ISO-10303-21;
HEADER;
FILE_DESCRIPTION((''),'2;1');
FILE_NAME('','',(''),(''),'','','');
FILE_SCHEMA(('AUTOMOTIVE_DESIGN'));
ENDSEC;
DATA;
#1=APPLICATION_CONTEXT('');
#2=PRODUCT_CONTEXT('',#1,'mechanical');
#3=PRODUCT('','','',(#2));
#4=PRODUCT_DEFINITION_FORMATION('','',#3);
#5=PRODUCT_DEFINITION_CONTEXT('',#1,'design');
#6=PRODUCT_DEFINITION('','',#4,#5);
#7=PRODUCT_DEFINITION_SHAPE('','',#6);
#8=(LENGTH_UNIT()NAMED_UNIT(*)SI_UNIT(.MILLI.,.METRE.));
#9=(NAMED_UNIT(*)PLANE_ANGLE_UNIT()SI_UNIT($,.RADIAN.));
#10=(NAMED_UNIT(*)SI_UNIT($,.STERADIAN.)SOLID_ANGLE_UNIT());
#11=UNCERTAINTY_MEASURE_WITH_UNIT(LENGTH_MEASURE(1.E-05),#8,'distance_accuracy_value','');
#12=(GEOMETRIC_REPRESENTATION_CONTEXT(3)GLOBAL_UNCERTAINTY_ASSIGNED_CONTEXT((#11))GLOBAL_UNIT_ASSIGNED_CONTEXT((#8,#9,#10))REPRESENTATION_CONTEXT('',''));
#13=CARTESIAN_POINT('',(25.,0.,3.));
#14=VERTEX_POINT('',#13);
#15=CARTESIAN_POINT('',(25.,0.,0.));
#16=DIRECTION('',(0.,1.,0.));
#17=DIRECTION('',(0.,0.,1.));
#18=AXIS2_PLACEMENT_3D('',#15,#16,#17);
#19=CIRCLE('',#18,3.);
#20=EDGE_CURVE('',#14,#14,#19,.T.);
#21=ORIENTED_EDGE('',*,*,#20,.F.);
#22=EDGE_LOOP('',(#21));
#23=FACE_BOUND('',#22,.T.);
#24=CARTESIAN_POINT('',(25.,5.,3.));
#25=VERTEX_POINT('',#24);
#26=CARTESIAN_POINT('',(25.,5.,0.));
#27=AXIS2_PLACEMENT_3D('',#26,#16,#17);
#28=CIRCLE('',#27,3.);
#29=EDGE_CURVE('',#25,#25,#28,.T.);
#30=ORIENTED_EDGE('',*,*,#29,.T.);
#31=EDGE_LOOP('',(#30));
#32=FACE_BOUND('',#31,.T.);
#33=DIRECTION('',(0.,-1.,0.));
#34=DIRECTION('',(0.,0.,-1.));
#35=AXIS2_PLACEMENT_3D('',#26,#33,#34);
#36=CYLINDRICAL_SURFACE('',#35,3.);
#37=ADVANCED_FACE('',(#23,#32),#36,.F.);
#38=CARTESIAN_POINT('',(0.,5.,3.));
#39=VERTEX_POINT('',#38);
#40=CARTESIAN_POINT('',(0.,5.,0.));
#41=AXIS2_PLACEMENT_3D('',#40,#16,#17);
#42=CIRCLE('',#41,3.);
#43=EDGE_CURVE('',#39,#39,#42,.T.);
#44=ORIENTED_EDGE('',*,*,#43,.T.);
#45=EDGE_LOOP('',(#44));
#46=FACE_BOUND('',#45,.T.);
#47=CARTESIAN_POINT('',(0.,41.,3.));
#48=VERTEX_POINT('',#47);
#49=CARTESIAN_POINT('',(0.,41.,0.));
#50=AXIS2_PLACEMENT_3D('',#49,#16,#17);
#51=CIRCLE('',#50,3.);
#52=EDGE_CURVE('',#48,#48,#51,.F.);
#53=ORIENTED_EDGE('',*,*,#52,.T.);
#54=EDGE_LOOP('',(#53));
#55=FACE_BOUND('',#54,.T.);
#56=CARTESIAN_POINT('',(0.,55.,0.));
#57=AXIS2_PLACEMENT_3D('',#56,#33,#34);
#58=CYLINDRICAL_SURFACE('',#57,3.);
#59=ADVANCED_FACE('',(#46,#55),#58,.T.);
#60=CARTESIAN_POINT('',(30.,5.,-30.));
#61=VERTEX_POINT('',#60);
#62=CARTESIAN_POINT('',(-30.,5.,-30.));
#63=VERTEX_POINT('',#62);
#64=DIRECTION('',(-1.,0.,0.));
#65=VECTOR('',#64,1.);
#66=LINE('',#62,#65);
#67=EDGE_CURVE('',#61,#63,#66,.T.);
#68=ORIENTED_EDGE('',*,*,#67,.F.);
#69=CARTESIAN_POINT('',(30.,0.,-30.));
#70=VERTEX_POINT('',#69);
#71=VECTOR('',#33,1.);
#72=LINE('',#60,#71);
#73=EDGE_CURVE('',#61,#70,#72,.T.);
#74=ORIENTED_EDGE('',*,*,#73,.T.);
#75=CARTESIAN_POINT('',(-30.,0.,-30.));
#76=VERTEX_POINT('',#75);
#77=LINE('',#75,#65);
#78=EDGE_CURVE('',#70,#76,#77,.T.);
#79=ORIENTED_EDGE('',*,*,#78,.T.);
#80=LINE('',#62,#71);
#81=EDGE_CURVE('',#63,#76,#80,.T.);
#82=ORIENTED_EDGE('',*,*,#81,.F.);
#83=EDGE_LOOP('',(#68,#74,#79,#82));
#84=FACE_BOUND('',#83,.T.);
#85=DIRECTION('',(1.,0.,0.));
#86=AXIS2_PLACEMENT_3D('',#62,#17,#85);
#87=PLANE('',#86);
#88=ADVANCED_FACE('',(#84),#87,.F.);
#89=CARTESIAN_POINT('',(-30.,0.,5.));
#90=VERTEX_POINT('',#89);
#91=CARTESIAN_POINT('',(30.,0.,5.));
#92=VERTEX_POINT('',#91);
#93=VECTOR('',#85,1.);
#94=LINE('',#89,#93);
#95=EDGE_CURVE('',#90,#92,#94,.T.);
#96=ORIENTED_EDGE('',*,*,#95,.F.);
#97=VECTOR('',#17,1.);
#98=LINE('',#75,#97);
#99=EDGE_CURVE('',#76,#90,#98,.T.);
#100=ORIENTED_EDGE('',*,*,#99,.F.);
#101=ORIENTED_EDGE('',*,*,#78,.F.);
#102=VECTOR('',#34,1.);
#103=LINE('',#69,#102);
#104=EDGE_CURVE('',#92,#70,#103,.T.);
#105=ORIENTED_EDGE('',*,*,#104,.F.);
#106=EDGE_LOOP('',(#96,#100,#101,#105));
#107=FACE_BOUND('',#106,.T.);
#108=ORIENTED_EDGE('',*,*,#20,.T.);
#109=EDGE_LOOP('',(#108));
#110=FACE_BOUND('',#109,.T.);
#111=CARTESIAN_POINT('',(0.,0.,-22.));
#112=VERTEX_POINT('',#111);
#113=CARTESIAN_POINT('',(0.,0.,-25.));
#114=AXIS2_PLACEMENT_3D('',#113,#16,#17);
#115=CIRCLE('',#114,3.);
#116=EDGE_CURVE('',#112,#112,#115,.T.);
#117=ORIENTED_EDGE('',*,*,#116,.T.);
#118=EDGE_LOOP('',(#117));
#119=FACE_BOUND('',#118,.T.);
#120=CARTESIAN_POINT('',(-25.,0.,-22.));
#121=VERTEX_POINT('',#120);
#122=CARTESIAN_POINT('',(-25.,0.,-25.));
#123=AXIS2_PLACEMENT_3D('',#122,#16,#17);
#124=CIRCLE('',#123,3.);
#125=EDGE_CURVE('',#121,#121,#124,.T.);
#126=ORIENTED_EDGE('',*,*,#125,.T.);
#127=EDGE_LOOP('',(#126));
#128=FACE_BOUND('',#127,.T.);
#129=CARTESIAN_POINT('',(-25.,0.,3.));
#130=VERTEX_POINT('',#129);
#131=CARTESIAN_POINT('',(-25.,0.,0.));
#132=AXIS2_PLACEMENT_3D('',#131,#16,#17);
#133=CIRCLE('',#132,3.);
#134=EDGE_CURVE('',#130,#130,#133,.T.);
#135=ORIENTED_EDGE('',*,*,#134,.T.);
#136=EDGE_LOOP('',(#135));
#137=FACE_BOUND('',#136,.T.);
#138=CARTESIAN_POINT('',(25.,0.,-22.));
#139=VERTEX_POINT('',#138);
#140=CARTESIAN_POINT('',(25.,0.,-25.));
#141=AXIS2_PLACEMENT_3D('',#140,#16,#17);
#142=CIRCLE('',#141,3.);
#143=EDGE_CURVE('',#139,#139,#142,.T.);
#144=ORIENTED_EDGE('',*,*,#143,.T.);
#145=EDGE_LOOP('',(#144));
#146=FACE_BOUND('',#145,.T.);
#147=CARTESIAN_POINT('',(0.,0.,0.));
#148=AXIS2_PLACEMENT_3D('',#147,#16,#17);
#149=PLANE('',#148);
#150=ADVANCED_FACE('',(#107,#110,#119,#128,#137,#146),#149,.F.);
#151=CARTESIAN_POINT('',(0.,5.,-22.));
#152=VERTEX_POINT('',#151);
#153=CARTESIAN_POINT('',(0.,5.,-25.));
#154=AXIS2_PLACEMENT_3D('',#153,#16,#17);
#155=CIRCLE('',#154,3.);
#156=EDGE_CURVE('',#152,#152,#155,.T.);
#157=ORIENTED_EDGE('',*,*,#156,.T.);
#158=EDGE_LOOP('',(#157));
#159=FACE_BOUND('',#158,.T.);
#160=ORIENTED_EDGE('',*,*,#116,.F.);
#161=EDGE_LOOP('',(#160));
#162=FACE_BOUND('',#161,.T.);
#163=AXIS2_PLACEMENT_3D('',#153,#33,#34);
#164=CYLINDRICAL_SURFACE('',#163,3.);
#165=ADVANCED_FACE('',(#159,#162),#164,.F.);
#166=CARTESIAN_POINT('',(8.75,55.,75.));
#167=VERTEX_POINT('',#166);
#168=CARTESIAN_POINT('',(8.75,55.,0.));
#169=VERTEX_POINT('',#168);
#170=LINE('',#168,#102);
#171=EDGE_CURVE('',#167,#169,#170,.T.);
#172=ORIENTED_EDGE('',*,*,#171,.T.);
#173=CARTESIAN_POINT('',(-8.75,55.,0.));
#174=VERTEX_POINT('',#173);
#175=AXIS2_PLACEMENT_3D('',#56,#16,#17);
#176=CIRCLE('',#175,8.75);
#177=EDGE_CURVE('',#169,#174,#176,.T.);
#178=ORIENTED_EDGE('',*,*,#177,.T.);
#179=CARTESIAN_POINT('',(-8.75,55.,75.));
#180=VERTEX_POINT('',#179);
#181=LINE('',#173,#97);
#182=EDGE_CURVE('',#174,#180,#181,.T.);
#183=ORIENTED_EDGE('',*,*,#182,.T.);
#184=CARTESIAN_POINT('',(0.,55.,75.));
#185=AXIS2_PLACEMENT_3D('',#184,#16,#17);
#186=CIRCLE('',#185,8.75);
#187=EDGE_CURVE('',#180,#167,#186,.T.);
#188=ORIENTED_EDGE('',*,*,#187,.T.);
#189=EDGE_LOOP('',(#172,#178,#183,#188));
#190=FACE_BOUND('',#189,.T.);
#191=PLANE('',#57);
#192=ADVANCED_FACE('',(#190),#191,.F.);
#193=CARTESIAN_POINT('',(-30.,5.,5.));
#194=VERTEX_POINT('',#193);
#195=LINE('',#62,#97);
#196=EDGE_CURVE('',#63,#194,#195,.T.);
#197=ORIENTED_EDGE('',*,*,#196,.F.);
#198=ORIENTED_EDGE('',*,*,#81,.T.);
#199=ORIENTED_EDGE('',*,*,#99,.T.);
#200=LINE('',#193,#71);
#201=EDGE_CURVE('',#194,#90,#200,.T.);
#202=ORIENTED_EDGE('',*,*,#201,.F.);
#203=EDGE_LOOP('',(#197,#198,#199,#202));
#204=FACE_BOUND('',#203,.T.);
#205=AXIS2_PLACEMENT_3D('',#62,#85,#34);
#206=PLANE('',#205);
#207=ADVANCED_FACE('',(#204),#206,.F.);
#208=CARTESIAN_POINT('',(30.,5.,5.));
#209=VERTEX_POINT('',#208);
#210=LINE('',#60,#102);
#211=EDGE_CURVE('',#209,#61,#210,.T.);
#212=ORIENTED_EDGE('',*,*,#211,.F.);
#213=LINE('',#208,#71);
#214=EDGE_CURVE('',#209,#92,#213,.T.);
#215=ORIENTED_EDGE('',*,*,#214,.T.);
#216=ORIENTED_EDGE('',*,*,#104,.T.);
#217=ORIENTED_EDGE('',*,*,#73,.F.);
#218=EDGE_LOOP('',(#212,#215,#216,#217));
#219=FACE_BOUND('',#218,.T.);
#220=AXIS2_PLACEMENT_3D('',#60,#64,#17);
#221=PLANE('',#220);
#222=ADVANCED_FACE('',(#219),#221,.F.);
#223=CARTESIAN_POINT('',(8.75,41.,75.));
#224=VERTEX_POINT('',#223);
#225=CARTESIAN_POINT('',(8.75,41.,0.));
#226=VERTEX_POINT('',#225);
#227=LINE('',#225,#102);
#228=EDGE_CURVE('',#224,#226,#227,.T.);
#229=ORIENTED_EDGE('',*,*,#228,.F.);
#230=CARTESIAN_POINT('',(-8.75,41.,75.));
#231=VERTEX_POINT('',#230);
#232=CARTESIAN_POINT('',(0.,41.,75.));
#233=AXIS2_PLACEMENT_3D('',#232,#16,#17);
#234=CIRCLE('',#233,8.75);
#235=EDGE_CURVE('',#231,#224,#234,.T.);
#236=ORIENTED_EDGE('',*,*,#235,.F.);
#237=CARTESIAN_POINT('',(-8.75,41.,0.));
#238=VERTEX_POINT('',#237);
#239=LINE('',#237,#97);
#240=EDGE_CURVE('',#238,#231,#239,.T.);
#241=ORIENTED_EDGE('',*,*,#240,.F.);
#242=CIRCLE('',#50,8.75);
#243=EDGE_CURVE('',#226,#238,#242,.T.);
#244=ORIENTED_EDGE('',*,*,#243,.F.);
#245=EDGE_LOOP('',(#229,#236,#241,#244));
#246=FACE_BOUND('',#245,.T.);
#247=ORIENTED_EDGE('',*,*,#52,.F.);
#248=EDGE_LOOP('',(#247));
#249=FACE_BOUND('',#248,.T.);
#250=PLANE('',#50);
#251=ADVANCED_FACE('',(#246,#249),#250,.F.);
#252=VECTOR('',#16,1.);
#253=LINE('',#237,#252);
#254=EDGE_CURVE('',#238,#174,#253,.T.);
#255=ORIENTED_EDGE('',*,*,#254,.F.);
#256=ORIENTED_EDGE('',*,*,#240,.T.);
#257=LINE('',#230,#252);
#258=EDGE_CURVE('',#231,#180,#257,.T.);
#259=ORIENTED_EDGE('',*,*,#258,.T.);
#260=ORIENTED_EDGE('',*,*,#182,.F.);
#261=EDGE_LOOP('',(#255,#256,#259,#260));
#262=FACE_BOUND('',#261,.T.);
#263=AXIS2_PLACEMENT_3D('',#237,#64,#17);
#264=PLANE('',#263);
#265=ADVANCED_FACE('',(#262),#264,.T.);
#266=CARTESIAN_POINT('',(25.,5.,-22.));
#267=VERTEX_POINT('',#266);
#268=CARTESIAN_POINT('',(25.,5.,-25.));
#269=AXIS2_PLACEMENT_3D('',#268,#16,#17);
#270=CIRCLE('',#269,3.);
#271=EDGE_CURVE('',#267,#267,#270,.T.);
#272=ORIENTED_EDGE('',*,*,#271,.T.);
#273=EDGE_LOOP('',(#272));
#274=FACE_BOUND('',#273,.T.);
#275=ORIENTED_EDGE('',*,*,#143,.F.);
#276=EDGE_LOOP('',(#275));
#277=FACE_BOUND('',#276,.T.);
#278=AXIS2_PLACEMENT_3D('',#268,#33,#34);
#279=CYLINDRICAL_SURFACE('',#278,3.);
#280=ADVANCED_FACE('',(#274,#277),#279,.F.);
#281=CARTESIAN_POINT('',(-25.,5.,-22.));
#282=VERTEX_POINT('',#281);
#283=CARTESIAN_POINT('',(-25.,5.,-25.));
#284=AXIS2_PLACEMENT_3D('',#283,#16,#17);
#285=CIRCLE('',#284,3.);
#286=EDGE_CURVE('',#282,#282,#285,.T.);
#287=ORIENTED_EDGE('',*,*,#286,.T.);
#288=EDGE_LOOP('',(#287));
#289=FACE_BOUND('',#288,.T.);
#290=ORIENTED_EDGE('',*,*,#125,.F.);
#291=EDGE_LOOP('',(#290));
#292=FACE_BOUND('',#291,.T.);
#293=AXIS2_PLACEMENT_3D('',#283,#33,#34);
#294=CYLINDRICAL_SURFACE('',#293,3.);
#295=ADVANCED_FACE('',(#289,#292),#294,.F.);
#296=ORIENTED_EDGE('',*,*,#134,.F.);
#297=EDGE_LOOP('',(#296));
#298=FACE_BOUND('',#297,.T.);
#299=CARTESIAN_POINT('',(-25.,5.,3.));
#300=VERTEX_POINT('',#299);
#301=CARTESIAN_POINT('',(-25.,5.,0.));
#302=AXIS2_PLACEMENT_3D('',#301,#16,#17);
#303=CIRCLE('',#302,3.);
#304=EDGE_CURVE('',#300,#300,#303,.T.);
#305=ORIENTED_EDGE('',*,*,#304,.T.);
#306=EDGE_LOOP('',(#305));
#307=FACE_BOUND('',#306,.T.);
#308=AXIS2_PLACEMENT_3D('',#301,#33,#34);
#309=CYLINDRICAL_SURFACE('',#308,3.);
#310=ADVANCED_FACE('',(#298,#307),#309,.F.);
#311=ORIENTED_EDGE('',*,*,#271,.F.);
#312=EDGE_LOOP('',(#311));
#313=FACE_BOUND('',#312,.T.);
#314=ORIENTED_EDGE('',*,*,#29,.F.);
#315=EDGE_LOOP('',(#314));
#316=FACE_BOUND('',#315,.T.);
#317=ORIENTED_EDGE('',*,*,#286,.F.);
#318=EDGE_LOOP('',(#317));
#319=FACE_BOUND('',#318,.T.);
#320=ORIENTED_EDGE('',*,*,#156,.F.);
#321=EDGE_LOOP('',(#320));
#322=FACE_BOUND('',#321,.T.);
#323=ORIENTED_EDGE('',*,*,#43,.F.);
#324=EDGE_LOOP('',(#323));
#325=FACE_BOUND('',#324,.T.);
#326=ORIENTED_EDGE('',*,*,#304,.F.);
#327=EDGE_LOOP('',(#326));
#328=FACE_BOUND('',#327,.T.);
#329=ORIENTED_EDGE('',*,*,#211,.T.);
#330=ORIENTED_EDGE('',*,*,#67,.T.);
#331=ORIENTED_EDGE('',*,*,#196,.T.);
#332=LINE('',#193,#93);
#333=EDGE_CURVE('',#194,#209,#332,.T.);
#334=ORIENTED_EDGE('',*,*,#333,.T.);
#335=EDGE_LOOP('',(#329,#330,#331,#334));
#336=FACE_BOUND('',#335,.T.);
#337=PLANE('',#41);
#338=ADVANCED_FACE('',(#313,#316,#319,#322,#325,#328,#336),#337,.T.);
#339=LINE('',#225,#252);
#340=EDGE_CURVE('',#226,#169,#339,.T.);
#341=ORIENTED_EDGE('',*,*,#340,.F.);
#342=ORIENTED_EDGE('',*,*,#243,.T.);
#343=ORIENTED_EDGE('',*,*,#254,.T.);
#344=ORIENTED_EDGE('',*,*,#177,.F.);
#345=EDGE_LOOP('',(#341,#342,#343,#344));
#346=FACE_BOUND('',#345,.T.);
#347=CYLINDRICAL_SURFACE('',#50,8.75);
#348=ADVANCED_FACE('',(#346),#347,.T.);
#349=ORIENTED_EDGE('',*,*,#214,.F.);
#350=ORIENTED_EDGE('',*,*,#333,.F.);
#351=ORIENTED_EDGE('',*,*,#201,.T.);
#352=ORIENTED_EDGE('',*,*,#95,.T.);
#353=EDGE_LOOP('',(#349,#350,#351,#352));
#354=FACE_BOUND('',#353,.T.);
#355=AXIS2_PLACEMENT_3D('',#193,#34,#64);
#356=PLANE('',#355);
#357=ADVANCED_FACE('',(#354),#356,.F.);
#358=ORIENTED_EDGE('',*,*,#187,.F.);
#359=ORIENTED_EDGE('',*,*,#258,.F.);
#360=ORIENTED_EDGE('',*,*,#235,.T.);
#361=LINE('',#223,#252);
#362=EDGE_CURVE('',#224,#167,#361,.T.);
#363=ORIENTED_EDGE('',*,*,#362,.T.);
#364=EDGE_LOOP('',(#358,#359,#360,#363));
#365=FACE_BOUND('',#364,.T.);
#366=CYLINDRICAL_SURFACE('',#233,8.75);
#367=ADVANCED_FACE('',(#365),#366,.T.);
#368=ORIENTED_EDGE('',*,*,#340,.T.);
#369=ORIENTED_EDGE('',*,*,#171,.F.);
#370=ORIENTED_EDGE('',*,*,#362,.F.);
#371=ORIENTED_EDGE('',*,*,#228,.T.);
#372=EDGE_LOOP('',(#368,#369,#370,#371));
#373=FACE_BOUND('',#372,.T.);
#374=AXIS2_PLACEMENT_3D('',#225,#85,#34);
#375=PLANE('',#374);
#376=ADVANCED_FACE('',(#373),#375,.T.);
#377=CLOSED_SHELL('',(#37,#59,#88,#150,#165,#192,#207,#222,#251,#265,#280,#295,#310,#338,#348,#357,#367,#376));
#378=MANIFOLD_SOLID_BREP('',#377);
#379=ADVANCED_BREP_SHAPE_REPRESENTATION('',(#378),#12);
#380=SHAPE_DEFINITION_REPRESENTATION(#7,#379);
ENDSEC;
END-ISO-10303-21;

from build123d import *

# Parameters (mm, degrees)
SKETCH_1_W      = 60
SKETCH_1_H      = 35
SKETCH_1_R      = 3
EXTRUDE_1_DEPTH = 5
SKETCH_2_R      = 3
EXTRUDE_2_DEPTH = 55
EXTRUDE_3_DEPTH = 14


with BuildPart() as part:
    # 스케치1 → 보스-돌출1 (new body)
    with BuildSketch(Plane(origin=(0, 0, 0), x_dir=(1, 0, 0), z_dir=(0, 1, 0))):
        with Locations((0, 12.5)):
            Rectangle(SKETCH_1_W, SKETCH_1_H)
        Circle(SKETCH_1_R, mode=Mode.SUBTRACT)
        with Locations((25, 0)):
            Circle(SKETCH_1_R, mode=Mode.SUBTRACT)
        with Locations((-25, 0)):
            Circle(SKETCH_1_R, mode=Mode.SUBTRACT)
        with Locations((25, 25)):
            Circle(SKETCH_1_R, mode=Mode.SUBTRACT)
        with Locations((0, 25)):
            Circle(SKETCH_1_R, mode=Mode.SUBTRACT)
        with Locations((-25, 25)):
            Circle(SKETCH_1_R, mode=Mode.SUBTRACT)
    extrude(amount=EXTRUDE_1_DEPTH)

    # 스케치2 → 보스-돌출2 (add)
    with BuildSketch(Plane.XZ):
        Circle(SKETCH_2_R)
    extrude(amount=-EXTRUDE_2_DEPTH)

    # 스케치3 → 보스-돌출3 (add)
    with BuildSketch(Plane(origin=(0, 55, 0), x_dir=(1, 0, 0), z_dir=(0, 1, 0))):
        with BuildLine():
            Line((8.75, 0), (8.75, -75))
            ThreePointArc((8.75, -75), (0, -83.75), (-8.75, -75))
            Line((-8.75, -75), (-8.75, 0))
            ThreePointArc((-8.75, 0), (0, 8.75), (8.75, 0))
        make_face()
    extrude(amount=-EXTRUDE_3_DEPTH)


solid = part.part
